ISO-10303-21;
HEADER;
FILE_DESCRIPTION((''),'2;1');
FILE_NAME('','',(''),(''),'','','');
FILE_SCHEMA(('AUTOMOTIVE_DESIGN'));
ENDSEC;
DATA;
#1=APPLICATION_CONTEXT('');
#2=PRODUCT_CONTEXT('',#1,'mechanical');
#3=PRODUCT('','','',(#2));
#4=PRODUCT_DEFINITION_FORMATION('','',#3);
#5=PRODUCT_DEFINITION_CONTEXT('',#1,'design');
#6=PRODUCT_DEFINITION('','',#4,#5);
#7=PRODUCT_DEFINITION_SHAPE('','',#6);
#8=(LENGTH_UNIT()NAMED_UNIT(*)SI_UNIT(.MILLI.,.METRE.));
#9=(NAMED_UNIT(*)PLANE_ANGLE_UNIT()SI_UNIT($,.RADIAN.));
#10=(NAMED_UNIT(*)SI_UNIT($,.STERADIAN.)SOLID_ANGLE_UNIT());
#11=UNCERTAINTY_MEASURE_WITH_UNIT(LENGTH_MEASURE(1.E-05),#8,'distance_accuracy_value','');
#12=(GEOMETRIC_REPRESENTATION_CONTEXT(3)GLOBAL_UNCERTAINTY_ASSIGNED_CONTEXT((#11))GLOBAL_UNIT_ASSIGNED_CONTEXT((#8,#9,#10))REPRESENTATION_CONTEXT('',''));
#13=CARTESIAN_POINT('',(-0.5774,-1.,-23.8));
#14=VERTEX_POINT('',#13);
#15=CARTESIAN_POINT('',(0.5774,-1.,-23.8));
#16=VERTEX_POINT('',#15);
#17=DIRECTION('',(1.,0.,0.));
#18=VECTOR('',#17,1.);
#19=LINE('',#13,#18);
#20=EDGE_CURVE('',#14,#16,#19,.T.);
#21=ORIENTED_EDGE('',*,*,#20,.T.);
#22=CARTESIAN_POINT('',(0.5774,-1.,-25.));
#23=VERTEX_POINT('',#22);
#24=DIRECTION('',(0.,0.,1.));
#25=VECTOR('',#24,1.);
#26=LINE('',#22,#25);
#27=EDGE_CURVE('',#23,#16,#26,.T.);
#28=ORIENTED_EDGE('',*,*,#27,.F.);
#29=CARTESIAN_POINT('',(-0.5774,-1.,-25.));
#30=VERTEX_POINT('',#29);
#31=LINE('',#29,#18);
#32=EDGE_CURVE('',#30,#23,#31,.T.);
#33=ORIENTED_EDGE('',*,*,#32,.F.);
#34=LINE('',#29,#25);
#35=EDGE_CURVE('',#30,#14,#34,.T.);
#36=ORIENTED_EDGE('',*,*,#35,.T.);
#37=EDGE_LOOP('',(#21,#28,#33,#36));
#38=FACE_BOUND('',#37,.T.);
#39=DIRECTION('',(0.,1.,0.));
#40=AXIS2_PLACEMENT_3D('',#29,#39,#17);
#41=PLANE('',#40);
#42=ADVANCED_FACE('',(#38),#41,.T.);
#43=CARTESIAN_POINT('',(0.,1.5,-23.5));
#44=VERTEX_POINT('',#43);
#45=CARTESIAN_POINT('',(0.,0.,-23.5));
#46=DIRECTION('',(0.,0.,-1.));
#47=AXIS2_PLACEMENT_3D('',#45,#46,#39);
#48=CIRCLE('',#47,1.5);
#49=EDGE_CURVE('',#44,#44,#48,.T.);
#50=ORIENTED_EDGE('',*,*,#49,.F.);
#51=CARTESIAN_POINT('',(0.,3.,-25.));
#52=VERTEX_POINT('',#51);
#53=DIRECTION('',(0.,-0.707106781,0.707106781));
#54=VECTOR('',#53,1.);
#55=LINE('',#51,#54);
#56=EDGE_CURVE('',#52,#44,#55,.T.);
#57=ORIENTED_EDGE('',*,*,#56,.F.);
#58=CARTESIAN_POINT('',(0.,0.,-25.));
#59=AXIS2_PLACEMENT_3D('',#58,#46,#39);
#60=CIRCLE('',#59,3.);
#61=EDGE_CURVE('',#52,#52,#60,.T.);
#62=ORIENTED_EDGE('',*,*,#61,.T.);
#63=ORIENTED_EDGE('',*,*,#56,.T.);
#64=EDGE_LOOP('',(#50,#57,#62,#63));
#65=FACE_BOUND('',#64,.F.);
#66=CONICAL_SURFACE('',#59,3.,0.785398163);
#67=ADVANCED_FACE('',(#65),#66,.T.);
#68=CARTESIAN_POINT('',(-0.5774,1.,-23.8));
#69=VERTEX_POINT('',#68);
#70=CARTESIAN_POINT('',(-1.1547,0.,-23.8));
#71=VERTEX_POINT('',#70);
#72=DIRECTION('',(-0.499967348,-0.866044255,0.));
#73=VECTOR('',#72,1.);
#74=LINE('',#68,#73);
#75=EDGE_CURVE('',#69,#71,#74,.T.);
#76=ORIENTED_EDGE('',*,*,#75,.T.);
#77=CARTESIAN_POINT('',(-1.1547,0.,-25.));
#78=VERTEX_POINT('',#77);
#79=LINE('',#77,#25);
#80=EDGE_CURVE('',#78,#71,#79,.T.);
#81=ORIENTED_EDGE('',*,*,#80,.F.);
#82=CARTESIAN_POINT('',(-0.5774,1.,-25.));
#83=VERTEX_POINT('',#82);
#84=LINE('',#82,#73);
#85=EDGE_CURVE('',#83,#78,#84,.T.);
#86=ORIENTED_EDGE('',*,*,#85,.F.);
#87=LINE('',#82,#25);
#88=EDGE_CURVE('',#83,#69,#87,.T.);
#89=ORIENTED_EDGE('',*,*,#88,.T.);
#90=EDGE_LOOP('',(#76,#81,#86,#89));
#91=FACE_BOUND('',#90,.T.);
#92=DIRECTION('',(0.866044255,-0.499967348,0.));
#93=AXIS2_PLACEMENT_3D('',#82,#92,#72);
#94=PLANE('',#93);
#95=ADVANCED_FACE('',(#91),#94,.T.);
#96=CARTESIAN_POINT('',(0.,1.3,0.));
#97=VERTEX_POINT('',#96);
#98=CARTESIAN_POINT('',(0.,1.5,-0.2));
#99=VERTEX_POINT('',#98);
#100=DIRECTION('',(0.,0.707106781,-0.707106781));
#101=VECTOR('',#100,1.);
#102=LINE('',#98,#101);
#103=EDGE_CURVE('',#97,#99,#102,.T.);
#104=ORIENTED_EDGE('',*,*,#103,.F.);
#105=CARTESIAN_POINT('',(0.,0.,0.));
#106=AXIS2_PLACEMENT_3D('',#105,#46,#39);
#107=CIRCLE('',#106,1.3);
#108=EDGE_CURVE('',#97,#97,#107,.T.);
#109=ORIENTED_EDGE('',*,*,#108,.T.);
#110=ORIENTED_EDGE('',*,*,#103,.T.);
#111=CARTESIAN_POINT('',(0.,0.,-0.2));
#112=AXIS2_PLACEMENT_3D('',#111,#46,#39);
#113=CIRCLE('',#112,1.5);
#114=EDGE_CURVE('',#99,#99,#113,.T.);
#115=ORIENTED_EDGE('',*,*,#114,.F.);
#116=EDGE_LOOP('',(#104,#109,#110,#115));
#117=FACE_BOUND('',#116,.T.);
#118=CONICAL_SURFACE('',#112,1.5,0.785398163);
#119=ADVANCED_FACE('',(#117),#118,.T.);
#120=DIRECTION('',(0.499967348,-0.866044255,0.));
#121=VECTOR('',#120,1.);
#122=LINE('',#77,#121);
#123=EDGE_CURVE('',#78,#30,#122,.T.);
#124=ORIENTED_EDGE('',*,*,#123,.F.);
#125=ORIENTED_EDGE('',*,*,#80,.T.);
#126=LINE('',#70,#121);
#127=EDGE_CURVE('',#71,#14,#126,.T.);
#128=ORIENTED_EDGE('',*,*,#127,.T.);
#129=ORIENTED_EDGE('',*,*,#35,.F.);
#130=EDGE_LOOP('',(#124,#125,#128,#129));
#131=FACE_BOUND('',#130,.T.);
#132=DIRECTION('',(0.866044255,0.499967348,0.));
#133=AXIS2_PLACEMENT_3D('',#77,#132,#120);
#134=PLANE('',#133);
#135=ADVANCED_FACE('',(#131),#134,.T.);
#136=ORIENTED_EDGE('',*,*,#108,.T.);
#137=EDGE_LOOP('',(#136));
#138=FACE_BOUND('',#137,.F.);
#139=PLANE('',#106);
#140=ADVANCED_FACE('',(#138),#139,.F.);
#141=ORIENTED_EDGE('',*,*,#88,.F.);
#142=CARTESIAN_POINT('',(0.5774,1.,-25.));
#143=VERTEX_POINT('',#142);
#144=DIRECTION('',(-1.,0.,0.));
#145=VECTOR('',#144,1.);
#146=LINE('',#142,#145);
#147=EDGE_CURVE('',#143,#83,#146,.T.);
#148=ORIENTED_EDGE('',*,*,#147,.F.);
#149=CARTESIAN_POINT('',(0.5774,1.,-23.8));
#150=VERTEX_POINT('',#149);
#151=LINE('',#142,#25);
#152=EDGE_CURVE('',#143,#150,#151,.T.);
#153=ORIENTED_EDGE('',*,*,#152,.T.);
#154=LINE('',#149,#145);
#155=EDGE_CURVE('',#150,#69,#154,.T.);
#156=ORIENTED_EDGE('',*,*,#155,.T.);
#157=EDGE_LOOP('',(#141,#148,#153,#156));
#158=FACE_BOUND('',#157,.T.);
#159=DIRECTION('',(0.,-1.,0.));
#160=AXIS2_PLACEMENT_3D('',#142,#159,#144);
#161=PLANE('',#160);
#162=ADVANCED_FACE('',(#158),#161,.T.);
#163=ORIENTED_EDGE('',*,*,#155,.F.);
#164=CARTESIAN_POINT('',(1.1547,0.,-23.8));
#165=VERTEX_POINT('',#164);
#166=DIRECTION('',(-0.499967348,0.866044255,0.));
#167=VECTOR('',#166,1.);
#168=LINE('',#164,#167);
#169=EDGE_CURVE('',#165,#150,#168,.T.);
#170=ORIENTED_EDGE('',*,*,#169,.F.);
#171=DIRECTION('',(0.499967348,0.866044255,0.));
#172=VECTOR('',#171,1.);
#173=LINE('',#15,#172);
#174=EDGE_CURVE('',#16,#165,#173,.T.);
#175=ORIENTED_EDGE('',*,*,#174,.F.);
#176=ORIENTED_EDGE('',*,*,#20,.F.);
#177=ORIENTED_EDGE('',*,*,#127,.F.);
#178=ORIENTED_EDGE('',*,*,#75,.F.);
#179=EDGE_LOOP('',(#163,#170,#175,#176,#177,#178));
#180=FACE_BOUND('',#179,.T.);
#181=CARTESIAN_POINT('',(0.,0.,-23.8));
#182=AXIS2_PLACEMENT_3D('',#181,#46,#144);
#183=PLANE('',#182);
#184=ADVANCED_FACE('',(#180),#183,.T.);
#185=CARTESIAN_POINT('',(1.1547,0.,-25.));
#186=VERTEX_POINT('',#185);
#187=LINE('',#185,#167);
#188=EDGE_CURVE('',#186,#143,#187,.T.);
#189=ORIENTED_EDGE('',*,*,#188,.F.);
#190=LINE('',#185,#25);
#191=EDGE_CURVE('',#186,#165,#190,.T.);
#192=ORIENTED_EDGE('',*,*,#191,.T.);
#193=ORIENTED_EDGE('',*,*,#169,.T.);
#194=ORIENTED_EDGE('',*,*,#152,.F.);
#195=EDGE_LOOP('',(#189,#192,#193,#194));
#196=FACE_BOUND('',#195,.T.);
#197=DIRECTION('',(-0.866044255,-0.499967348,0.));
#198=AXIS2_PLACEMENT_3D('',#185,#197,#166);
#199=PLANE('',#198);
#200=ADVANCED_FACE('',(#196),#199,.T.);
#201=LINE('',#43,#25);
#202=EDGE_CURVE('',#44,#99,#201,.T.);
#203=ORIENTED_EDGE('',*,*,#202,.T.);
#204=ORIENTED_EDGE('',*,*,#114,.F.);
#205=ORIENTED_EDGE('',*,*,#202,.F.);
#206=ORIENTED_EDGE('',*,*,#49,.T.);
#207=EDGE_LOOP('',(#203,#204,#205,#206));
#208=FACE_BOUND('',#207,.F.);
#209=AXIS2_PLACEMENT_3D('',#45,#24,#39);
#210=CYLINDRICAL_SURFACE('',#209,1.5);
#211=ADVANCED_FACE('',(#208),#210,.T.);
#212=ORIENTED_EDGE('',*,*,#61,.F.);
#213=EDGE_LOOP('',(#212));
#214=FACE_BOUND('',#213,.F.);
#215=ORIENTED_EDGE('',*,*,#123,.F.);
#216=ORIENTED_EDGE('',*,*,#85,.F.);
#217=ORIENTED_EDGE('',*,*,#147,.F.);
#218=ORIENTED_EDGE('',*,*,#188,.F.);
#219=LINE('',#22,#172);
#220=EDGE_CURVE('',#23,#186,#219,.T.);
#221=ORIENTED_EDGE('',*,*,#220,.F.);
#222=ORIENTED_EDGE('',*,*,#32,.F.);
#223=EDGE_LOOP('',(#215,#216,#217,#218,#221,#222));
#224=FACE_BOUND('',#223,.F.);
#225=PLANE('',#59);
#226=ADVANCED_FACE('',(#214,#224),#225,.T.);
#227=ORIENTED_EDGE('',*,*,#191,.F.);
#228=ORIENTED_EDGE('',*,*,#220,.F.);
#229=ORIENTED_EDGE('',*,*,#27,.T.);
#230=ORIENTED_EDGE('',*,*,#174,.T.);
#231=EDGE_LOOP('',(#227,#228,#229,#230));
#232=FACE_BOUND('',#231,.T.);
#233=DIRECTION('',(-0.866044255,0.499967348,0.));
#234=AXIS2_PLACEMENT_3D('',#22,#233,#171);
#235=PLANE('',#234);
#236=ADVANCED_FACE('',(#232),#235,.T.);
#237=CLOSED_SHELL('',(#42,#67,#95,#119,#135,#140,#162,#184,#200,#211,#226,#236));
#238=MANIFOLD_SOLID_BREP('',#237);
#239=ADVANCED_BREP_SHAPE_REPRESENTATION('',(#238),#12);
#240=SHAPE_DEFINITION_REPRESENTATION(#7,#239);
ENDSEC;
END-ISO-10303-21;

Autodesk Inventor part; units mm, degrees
ref_plane "YZ Plane" through (0, 0, 0) normal (1, 0, 0) x (0, 1, 0)
ref_plane "XZ Plane" through (0, 0, 0) normal (0, 1, 0) x (-1, 0, 0)
ref_plane "XY Plane" through (0, 0, 0) normal (0, 0, 1) x (1, 0, 0)
sketch "Sketch1" plane through (0, 0, 0) normal (1, 0, 0) x (0, 1, 0)
  line L0 (0, 0) -> (0, -25)
  line L1 (0, -25) -> (3, -25)
  line L2 (3, -25) -> (1.5, -23.5)
  line L3 (1.5, -23.5) -> (1.5, 0)
  line L4 (1.5, 0) -> (0, 0)
  dimension "d0" = 6
  dimension "d1" = 25
  dimension "d2" = 45
  dimension "d3" = 3
revolve "Revolution1" add sketch "Sketch1" angle 360 about axis through (0, 0, 0) along (0, 0, -1)
chamfer "Chamfer1" distance 0.2 angle 45 1 edges at (0, -1.5, 0)
thread "Thread1" size "M3x0.5" class "6g" standard "ANSI Metric M Profile" full length
sketch "Sketch2" plane through (0, 0, -25) normal (0, 0, -1) x (-1, 0, 0)
  circle A0 centre (0, 0) radius 1.3 projected
  line L0 (1.1547, 0) -> (0.5774, -1)
  line L1 (0.5774, -1) -> (-0.5774, -1)
  line L2 (-0.5774, -1) -> (-1.1547, 0)
  line L3 (-1.1547, 0) -> (-0.5774, 1)
  line L4 (-0.5774, 1) -> (0.5774, 1)
  line L5 (0.5774, 1) -> (1.1547, 0)
  dimension "d10" = 2
extrude "Extrusion1" cut sketch "Sketch2" against normal blind 1.2 contours L0 L1 L2 L3 L4 L5
properties part number "M3 x 25 mm FHCS"
